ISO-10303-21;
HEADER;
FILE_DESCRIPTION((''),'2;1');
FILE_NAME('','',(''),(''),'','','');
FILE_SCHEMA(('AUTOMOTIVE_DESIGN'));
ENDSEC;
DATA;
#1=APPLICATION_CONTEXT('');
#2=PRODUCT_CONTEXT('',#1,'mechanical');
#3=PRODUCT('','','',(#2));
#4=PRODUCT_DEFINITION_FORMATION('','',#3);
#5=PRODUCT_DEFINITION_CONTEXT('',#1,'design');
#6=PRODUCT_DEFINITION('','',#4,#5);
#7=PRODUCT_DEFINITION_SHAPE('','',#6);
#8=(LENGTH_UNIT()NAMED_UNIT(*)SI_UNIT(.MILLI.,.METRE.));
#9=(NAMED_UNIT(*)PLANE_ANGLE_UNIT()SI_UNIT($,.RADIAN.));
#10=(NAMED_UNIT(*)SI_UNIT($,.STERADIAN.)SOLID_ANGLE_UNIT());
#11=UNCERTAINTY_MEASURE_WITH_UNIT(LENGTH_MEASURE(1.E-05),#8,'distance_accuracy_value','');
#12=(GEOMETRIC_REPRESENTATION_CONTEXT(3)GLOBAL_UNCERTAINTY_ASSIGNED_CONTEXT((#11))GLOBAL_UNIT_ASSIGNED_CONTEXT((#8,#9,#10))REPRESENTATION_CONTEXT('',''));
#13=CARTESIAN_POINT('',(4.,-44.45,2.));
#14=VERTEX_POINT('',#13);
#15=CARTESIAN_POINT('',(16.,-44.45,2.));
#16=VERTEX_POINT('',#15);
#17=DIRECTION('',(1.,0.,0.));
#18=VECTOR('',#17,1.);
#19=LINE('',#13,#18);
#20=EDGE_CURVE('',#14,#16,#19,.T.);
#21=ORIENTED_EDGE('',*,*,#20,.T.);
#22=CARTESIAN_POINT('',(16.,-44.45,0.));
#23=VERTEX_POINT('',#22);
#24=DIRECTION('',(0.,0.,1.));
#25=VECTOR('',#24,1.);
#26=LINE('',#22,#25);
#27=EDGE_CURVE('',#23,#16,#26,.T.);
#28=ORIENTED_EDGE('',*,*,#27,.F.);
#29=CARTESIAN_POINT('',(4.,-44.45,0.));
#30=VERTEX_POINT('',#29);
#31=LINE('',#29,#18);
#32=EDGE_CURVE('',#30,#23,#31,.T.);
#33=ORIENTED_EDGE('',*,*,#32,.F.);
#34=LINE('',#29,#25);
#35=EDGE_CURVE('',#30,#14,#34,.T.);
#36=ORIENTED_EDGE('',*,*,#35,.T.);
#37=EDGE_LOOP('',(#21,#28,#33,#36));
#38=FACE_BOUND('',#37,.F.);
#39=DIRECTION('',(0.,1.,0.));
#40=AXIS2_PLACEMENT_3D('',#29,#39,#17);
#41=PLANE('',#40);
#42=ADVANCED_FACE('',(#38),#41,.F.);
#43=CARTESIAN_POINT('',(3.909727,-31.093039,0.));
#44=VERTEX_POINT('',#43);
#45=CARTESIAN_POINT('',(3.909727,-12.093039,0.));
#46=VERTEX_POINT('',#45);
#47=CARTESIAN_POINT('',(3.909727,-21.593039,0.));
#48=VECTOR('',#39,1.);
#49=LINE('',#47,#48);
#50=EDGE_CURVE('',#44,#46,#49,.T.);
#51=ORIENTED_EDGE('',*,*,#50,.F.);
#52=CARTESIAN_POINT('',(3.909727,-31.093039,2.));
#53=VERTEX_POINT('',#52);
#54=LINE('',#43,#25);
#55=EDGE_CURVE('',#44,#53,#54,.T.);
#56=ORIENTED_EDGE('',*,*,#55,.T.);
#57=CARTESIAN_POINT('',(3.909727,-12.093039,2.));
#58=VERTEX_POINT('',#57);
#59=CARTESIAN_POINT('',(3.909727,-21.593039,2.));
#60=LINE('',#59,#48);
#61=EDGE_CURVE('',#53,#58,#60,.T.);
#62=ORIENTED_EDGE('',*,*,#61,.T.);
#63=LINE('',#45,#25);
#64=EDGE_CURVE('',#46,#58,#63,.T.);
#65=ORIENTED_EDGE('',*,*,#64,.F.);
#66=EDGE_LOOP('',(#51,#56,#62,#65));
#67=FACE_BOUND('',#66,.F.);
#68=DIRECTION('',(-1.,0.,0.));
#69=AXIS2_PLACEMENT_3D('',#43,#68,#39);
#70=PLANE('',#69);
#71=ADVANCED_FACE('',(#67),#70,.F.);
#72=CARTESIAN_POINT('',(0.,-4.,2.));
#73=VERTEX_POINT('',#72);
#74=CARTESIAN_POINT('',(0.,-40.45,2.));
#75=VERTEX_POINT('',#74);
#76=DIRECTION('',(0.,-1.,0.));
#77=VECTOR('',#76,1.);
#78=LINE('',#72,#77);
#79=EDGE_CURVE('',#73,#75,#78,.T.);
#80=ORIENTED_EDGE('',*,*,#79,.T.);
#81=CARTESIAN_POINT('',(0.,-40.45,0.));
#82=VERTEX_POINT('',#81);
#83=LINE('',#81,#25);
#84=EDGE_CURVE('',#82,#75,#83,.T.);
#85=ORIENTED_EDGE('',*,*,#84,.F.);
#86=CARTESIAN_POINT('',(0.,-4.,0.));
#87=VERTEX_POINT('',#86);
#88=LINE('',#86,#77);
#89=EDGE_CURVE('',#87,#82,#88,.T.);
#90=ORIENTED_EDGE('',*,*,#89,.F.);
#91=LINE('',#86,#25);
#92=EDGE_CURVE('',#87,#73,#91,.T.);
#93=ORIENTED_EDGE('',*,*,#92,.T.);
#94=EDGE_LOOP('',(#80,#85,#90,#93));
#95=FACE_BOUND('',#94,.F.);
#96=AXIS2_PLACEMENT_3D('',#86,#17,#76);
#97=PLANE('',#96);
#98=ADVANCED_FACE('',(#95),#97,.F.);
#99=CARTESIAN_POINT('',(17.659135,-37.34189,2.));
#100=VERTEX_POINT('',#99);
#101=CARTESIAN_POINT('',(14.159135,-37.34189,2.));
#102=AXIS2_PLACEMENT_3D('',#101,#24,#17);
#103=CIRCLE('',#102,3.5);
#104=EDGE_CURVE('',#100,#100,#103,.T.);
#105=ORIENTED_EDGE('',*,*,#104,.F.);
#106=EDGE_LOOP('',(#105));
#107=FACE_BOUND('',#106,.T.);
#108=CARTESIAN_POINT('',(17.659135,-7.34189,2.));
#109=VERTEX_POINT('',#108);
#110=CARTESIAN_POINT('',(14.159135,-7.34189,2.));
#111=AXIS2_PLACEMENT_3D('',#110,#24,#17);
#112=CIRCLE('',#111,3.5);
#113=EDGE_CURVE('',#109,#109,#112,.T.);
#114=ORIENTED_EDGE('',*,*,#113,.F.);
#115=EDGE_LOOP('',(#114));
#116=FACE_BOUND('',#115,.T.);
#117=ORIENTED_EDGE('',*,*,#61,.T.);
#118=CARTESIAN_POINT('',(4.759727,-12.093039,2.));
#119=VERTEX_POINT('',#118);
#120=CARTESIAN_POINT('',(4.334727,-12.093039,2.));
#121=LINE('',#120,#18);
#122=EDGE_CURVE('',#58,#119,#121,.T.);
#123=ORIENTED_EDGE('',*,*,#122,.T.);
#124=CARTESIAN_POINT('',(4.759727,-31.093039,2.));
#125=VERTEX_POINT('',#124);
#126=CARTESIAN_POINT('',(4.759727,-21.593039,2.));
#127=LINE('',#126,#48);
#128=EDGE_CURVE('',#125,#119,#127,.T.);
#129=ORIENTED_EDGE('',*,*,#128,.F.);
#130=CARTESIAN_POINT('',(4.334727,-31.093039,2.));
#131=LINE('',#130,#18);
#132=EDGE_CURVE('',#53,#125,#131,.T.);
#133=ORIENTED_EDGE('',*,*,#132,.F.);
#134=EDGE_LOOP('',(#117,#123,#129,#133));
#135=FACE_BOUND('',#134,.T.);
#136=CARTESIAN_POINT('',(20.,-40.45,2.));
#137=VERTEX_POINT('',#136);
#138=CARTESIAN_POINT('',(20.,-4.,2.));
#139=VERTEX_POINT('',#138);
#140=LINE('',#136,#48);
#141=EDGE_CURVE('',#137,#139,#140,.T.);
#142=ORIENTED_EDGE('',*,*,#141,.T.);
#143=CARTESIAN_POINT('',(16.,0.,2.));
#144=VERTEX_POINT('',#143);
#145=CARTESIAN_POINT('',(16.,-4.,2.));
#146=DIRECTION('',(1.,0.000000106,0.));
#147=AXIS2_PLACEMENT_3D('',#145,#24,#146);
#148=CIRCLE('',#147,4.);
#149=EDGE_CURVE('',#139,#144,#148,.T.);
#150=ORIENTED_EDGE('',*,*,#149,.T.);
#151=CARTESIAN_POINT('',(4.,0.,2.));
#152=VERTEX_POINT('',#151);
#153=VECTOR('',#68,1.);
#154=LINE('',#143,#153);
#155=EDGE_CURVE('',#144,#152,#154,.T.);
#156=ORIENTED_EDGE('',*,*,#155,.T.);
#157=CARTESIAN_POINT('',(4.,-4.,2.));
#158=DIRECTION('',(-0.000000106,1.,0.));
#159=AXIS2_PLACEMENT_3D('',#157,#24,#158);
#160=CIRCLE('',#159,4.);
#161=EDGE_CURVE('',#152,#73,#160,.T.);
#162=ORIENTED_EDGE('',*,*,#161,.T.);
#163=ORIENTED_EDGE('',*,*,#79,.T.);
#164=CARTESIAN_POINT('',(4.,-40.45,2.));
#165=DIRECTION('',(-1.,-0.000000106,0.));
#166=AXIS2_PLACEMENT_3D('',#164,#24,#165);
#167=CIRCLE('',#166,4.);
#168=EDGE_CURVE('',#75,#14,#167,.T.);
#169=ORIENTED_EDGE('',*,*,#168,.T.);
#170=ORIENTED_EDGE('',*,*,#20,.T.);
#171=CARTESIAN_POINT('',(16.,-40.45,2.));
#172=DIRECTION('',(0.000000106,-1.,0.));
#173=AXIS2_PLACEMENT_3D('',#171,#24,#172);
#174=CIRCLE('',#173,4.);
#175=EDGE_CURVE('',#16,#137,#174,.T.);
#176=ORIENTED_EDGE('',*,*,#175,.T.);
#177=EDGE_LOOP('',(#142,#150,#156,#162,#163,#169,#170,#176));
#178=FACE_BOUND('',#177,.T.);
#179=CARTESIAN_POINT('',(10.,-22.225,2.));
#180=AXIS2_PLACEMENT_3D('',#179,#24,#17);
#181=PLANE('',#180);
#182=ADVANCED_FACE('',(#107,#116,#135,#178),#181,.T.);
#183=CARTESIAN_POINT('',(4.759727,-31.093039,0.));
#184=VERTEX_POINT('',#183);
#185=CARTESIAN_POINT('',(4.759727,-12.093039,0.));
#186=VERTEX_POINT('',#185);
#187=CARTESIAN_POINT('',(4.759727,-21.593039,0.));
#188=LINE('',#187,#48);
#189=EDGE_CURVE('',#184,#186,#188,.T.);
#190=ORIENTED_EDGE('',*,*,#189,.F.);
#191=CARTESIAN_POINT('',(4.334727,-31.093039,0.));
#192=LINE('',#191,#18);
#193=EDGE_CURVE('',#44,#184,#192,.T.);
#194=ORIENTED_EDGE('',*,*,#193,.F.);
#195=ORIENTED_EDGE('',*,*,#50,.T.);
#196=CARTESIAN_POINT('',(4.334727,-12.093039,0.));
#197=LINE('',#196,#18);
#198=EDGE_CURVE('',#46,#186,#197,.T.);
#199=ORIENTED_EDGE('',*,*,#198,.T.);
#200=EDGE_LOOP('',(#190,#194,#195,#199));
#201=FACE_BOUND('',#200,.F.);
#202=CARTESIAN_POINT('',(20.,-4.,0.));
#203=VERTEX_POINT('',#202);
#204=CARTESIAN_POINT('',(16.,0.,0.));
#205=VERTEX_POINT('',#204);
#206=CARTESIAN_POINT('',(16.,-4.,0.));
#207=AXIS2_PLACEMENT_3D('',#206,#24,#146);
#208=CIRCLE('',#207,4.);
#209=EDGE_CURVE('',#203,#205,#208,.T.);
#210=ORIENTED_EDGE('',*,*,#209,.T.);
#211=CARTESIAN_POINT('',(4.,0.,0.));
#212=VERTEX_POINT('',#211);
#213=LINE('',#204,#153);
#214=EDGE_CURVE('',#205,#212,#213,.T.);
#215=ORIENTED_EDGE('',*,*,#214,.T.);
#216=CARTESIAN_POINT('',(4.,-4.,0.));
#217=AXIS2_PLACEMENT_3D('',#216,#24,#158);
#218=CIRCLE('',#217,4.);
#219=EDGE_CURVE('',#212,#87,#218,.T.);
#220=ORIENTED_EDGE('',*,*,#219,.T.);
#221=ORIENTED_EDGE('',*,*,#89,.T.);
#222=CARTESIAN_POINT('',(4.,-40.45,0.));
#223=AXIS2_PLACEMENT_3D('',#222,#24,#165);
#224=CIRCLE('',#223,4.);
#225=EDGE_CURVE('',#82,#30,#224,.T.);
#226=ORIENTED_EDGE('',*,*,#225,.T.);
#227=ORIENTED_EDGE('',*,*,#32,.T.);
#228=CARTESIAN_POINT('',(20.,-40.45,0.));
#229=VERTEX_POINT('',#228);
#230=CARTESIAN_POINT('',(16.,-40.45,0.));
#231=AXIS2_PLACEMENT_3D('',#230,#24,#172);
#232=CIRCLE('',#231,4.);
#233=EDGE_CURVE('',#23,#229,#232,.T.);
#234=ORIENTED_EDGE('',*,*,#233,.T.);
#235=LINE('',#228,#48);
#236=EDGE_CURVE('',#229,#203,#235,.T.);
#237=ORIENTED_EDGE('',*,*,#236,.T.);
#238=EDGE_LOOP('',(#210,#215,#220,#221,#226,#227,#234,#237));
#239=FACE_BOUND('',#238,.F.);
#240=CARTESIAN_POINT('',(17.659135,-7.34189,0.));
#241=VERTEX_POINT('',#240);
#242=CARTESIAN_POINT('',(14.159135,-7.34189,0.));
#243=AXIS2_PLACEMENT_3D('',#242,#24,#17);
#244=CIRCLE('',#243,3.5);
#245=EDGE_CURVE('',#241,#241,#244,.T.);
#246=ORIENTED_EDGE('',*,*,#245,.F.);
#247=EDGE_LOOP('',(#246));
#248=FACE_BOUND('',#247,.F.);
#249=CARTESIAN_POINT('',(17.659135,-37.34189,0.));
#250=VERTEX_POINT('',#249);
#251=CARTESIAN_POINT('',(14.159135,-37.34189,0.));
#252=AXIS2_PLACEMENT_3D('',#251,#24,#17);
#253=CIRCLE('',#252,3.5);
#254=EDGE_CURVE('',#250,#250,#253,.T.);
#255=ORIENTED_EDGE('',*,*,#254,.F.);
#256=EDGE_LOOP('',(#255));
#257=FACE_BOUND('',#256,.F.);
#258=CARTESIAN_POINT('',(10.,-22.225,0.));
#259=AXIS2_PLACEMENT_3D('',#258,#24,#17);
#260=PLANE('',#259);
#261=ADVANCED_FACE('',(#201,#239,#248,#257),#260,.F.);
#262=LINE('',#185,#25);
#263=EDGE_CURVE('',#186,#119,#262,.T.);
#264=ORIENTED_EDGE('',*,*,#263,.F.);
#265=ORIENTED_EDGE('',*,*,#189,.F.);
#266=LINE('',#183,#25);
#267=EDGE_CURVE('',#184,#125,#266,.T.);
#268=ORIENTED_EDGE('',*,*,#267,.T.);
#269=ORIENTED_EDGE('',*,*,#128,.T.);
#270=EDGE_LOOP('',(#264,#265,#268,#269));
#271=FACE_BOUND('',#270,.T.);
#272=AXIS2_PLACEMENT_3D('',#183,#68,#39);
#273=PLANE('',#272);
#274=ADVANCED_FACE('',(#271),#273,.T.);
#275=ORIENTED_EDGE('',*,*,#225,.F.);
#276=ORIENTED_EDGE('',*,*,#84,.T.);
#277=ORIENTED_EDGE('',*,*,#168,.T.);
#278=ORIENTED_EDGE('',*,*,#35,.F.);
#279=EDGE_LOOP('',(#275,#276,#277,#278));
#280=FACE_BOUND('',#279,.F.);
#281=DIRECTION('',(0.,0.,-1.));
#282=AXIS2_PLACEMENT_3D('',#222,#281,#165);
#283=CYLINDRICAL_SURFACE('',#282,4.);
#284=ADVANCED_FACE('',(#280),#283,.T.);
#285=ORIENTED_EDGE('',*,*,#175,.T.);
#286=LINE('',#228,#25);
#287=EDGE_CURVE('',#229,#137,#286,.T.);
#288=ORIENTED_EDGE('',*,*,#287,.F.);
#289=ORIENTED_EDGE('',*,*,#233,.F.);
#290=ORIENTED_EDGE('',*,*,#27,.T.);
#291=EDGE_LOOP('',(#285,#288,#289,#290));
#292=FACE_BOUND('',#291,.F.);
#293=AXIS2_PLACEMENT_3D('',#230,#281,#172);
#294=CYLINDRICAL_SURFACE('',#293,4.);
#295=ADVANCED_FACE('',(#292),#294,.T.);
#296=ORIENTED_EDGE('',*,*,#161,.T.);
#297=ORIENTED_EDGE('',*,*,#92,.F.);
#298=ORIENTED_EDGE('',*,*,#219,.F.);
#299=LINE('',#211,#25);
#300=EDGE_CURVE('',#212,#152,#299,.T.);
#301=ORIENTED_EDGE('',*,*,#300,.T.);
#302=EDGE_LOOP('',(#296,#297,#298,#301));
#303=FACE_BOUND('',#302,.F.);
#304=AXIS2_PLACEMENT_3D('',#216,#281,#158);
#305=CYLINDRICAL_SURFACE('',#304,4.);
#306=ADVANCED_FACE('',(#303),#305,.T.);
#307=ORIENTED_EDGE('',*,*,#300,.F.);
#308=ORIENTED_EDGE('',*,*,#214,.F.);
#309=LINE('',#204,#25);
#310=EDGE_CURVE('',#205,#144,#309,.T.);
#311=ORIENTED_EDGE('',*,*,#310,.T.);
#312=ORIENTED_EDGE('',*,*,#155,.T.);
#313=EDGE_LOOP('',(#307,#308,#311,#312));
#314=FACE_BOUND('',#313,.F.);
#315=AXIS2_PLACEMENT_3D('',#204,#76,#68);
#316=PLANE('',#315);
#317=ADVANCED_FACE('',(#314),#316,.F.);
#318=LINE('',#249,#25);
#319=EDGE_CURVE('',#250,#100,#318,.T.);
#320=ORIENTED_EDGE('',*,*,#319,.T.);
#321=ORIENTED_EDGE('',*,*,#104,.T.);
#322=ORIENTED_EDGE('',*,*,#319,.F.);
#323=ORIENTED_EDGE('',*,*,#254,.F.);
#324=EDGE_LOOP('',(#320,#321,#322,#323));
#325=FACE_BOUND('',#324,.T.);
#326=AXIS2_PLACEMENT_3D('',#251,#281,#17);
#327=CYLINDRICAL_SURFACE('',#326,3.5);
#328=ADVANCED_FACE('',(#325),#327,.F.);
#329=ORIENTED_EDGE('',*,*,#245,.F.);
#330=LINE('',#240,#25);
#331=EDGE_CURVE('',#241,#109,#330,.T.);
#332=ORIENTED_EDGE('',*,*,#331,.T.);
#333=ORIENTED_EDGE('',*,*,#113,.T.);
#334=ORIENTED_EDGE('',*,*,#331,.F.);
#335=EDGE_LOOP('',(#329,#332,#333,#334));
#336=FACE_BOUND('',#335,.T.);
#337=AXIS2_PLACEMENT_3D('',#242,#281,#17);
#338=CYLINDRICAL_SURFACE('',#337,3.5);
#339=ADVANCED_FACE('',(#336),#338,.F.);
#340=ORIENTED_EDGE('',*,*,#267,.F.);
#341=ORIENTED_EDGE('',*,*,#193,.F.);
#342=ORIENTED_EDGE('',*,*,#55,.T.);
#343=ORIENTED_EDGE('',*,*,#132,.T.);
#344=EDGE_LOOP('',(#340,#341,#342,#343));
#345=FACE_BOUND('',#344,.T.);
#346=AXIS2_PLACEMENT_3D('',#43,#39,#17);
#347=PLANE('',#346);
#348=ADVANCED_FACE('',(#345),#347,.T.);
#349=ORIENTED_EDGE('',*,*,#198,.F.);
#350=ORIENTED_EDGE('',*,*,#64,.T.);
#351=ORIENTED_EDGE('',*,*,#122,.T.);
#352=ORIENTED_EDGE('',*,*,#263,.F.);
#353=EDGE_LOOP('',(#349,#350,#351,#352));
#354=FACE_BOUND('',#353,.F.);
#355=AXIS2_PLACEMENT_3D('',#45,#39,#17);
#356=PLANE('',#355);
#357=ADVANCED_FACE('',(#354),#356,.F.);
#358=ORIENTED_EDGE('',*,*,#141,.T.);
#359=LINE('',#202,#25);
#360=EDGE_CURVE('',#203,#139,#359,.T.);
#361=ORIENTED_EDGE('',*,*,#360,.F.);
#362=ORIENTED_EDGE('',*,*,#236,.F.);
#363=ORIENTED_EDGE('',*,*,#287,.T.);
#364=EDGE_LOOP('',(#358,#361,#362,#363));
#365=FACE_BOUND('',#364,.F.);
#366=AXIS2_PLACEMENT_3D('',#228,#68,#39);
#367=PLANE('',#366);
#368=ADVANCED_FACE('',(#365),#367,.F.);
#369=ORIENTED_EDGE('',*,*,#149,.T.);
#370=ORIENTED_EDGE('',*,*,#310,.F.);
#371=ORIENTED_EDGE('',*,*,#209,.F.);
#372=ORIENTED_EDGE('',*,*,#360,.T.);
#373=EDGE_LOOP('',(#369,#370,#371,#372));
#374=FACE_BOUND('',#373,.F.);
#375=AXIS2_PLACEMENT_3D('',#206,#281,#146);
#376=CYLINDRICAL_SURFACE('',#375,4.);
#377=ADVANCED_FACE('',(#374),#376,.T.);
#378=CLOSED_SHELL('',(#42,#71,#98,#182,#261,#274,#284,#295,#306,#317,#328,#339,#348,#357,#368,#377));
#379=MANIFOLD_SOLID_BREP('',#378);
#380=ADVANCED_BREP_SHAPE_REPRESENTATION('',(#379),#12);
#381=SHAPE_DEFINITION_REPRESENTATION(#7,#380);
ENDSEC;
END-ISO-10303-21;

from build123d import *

# Parameters (mm, degrees)
SKETCH001_R = 3.5
SKETCH001_W = 0.85
SKETCH001_H = 19
PAD_DEPTH   = 2


with BuildPart() as part:
    # Sketch001 → Pad (new body)
    with BuildSketch(Plane.XY):
        with BuildLine():
            Line((0, -4), (0, -40.45))
            ThreePointArc((0, -40.45), (1.171573, -43.278427), (4, -44.45))
            Line((4, -44.45), (16, -44.45))
            ThreePointArc((16, -44.45), (18.828427, -43.278427), (20, -40.45))
            Line((20, -40.45), (20, -4))
            ThreePointArc((20, -4), (18.828427, -1.171573), (16, 0))
            Line((16, 0), (4, 0))
            ThreePointArc((4, 0), (1.171573, -1.171573), (0, -4))
        make_face()
        with Locations((14.159135, -37.34189)):
            Circle(SKETCH001_R, mode=Mode.SUBTRACT)
        with Locations((14.159135, -7.34189)):
            Circle(SKETCH001_R, mode=Mode.SUBTRACT)
        with Locations((4.334727, -21.593039)):
            Rectangle(SKETCH001_W, SKETCH001_H, mode=Mode.SUBTRACT)
    extrude(amount=PAD_DEPTH)


solid = part.part
